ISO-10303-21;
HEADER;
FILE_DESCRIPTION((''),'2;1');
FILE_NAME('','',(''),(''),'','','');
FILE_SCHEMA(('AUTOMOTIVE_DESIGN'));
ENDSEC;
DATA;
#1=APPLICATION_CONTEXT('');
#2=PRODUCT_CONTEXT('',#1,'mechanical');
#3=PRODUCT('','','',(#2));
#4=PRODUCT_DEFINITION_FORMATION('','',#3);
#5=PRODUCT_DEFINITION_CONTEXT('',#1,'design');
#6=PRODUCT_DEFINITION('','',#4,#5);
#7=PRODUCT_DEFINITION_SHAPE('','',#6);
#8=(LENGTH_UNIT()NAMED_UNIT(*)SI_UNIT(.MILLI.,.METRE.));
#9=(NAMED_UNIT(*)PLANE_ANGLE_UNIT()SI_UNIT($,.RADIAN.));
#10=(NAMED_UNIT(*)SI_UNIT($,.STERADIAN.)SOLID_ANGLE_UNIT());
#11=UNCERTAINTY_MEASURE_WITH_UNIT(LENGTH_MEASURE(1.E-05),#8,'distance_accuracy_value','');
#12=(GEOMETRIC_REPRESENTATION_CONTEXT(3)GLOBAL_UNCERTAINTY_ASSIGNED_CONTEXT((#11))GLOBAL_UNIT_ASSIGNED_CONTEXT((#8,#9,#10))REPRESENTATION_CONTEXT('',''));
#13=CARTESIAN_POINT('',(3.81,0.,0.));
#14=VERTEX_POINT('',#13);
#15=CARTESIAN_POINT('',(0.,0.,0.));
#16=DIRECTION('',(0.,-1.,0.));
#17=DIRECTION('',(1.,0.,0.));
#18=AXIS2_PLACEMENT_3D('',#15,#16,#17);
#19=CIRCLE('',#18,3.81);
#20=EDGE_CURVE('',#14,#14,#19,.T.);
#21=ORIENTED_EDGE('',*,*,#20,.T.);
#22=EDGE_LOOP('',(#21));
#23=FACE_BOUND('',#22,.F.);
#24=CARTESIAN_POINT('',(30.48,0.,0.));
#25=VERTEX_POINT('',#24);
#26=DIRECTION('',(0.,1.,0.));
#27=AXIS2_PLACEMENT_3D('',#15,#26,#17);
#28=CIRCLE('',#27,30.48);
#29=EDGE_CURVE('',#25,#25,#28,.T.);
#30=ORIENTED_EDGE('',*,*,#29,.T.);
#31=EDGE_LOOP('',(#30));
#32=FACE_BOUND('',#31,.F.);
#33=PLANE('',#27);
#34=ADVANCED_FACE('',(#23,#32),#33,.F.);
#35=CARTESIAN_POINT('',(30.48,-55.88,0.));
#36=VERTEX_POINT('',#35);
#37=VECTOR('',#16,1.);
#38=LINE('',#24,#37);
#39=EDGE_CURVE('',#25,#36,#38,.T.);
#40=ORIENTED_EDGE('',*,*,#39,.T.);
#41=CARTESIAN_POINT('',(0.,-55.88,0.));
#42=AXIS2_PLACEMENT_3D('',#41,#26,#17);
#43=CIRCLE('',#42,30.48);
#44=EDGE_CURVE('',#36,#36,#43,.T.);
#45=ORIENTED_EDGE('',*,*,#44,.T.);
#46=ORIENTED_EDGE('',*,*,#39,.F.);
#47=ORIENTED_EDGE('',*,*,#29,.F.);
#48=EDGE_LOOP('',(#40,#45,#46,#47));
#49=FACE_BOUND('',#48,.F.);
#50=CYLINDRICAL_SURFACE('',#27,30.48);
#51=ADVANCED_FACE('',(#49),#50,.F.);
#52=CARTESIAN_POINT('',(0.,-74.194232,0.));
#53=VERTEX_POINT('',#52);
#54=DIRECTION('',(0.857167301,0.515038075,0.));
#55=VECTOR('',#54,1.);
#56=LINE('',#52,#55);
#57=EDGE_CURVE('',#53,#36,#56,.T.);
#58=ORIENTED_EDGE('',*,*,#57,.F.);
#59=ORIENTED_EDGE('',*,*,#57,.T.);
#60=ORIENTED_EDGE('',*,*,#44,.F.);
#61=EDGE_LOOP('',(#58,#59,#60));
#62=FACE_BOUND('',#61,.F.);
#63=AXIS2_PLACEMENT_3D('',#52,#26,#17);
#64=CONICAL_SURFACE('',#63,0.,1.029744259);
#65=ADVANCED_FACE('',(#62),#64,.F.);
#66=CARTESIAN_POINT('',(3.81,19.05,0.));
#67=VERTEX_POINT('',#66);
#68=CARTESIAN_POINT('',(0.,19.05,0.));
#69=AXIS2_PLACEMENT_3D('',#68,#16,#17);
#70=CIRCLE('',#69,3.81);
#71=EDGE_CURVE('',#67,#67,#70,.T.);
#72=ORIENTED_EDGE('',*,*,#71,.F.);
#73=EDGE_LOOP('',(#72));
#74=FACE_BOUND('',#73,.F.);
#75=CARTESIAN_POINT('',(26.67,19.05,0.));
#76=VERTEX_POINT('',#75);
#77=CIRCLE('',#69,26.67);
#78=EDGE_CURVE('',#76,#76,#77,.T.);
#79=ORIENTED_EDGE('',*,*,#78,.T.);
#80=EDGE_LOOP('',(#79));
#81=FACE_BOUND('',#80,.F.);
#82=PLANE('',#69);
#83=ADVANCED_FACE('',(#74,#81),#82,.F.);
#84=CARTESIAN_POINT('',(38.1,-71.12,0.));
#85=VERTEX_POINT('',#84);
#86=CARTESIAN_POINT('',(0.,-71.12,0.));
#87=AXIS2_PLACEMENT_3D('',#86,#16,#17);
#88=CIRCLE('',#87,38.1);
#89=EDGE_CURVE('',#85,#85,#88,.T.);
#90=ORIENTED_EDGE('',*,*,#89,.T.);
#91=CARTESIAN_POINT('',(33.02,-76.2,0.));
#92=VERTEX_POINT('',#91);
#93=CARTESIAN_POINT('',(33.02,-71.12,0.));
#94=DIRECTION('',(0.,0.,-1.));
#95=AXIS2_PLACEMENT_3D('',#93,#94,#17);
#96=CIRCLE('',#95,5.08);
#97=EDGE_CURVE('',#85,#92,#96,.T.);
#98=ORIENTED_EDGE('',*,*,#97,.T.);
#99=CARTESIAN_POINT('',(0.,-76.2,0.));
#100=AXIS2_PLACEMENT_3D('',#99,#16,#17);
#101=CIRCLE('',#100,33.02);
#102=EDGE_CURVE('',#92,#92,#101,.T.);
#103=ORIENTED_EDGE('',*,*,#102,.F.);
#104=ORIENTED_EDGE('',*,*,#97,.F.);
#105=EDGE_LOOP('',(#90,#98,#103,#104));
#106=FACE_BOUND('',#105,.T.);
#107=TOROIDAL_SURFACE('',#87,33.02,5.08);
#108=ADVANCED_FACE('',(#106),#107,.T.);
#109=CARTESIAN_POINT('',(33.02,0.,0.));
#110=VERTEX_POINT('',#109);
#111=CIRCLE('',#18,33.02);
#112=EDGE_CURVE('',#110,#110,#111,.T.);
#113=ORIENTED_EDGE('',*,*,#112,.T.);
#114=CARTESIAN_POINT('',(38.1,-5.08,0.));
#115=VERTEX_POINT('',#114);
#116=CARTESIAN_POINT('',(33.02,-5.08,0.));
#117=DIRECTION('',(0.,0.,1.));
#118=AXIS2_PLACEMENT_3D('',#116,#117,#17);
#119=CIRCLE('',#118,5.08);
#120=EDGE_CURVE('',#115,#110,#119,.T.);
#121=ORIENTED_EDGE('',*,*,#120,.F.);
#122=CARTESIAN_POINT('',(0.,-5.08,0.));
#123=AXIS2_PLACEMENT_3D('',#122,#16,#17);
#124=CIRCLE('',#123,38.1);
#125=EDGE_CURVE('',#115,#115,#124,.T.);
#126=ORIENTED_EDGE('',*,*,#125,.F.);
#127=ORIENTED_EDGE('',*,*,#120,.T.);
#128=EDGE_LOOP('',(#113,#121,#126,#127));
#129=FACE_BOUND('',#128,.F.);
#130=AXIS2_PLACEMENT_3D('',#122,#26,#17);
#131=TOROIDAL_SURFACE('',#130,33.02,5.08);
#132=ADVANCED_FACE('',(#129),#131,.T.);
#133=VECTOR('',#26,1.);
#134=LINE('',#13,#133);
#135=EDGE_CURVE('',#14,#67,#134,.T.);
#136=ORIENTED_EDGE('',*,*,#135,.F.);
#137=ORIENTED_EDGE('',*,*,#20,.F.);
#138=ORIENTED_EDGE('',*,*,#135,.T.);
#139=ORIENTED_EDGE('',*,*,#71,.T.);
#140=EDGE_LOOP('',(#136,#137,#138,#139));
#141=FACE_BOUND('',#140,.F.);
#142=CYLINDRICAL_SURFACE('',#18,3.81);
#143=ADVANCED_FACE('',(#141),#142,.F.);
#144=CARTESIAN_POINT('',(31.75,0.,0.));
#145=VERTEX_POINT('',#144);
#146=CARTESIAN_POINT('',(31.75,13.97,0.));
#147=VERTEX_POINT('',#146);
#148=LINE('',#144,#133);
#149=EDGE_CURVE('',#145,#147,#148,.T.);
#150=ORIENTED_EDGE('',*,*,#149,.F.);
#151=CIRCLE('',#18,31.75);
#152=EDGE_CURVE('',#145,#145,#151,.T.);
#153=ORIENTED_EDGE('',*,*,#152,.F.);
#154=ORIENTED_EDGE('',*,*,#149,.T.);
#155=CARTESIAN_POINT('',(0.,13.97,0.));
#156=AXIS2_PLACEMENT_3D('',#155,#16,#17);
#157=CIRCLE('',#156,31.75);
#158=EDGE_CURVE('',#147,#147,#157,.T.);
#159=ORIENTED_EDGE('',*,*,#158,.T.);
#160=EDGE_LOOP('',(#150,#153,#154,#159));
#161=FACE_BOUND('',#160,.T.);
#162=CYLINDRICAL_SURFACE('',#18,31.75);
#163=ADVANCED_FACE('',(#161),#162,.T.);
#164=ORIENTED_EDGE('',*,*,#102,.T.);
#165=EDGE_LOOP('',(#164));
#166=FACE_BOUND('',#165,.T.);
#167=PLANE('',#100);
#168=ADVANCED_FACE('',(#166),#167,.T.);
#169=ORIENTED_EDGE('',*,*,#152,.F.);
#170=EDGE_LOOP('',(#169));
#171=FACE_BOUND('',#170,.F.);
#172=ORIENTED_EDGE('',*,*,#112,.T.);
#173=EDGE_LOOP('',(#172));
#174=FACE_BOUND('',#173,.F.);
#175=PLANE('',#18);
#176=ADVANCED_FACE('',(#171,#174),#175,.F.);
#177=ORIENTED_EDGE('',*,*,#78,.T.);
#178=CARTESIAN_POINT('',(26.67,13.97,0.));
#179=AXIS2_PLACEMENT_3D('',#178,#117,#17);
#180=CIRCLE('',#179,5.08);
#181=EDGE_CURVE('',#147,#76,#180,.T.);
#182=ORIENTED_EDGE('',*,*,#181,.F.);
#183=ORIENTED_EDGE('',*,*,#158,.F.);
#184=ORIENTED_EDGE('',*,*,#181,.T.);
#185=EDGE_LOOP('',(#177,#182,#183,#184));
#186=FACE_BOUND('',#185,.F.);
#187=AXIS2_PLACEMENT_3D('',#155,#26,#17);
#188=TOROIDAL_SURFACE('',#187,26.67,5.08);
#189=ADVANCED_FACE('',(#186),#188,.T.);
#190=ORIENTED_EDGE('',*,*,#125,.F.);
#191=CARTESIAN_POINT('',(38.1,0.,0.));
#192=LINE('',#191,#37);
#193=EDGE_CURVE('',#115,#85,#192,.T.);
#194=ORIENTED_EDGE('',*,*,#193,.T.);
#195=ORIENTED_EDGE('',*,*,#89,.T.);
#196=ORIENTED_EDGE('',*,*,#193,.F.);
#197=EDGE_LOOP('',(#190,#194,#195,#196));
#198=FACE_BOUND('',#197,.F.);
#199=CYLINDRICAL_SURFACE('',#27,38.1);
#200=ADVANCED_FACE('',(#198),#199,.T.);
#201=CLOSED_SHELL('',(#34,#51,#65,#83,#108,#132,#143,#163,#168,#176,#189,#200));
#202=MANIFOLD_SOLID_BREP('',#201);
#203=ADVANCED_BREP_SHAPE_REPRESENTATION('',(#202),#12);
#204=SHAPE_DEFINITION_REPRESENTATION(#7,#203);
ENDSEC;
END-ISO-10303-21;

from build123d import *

# Parameters (mm, degrees)
F0_R     = 38.1
F1_DEPTH = 76.2
F2_R     = 31.75
F3_DEPTH = 19.05
F4_R     = 5.08
F6_D     = 7.62
F6_DEPTH = 21.59
F6_TIP   = 2.2892789585
F7_D     = 60.96
F7_DEPTH = 55.88
F7_TIP   = 18.314231668


with BuildPart() as f1:
    # F0 (on Front) → F1 (new body)
    with BuildSketch(Plane.XZ):
        Circle(F0_R)
    extrude(amount=F1_DEPTH)

    # F2 (on Front) → F3 (join)
    with BuildSketch(Plane.XZ):
        Circle(F2_R)
    extrude(amount=-F3_DEPTH)

    # F4
    f4_edges = [f1.edges().sort_by_distance(p)[0] for p in [
        (-31.75, 19.05, 0),
        (38.1, -38.1, 0),
        (-38.1, 0, 0),
        (-38.1, -76.2, 0),
    ]]
    fillet(f4_edges, radius=F4_R)

    # F6 (one way)
    with BuildSketch(Plane.XZ):
        with Locations((0, 0)):
            Circle(F6_D / 2)
    extrude(amount=-F6_DEPTH, mode=Mode.SUBTRACT)
    with Locations(Plane.XZ):
        with Locations((0, 0)):
            with Locations((0, 0, -(F6_DEPTH + F6_TIP / 2))):  # 118° drill point
                Cone(0, F6_D / 2, F6_TIP, mode=Mode.SUBTRACT)

    # F7 (one way)
    with BuildSketch(Plane(origin=(0, 0, 0), x_dir=(1, 0, 0), z_dir=(0, 1, 0))):
        with Locations((0, 0)):
            Circle(F7_D / 2)
    extrude(amount=-F7_DEPTH, mode=Mode.SUBTRACT)
    with Locations(Plane(origin=(0, 0, 0), x_dir=(1, 0, 0), z_dir=(0, 1, 0))):
        with Locations((0, 0)):
            with Locations((0, 0, -(F7_DEPTH + F7_TIP / 2))):  # 118° drill point
                Cone(0, F7_D / 2, F7_TIP, mode=Mode.SUBTRACT)


solid = f1.part
